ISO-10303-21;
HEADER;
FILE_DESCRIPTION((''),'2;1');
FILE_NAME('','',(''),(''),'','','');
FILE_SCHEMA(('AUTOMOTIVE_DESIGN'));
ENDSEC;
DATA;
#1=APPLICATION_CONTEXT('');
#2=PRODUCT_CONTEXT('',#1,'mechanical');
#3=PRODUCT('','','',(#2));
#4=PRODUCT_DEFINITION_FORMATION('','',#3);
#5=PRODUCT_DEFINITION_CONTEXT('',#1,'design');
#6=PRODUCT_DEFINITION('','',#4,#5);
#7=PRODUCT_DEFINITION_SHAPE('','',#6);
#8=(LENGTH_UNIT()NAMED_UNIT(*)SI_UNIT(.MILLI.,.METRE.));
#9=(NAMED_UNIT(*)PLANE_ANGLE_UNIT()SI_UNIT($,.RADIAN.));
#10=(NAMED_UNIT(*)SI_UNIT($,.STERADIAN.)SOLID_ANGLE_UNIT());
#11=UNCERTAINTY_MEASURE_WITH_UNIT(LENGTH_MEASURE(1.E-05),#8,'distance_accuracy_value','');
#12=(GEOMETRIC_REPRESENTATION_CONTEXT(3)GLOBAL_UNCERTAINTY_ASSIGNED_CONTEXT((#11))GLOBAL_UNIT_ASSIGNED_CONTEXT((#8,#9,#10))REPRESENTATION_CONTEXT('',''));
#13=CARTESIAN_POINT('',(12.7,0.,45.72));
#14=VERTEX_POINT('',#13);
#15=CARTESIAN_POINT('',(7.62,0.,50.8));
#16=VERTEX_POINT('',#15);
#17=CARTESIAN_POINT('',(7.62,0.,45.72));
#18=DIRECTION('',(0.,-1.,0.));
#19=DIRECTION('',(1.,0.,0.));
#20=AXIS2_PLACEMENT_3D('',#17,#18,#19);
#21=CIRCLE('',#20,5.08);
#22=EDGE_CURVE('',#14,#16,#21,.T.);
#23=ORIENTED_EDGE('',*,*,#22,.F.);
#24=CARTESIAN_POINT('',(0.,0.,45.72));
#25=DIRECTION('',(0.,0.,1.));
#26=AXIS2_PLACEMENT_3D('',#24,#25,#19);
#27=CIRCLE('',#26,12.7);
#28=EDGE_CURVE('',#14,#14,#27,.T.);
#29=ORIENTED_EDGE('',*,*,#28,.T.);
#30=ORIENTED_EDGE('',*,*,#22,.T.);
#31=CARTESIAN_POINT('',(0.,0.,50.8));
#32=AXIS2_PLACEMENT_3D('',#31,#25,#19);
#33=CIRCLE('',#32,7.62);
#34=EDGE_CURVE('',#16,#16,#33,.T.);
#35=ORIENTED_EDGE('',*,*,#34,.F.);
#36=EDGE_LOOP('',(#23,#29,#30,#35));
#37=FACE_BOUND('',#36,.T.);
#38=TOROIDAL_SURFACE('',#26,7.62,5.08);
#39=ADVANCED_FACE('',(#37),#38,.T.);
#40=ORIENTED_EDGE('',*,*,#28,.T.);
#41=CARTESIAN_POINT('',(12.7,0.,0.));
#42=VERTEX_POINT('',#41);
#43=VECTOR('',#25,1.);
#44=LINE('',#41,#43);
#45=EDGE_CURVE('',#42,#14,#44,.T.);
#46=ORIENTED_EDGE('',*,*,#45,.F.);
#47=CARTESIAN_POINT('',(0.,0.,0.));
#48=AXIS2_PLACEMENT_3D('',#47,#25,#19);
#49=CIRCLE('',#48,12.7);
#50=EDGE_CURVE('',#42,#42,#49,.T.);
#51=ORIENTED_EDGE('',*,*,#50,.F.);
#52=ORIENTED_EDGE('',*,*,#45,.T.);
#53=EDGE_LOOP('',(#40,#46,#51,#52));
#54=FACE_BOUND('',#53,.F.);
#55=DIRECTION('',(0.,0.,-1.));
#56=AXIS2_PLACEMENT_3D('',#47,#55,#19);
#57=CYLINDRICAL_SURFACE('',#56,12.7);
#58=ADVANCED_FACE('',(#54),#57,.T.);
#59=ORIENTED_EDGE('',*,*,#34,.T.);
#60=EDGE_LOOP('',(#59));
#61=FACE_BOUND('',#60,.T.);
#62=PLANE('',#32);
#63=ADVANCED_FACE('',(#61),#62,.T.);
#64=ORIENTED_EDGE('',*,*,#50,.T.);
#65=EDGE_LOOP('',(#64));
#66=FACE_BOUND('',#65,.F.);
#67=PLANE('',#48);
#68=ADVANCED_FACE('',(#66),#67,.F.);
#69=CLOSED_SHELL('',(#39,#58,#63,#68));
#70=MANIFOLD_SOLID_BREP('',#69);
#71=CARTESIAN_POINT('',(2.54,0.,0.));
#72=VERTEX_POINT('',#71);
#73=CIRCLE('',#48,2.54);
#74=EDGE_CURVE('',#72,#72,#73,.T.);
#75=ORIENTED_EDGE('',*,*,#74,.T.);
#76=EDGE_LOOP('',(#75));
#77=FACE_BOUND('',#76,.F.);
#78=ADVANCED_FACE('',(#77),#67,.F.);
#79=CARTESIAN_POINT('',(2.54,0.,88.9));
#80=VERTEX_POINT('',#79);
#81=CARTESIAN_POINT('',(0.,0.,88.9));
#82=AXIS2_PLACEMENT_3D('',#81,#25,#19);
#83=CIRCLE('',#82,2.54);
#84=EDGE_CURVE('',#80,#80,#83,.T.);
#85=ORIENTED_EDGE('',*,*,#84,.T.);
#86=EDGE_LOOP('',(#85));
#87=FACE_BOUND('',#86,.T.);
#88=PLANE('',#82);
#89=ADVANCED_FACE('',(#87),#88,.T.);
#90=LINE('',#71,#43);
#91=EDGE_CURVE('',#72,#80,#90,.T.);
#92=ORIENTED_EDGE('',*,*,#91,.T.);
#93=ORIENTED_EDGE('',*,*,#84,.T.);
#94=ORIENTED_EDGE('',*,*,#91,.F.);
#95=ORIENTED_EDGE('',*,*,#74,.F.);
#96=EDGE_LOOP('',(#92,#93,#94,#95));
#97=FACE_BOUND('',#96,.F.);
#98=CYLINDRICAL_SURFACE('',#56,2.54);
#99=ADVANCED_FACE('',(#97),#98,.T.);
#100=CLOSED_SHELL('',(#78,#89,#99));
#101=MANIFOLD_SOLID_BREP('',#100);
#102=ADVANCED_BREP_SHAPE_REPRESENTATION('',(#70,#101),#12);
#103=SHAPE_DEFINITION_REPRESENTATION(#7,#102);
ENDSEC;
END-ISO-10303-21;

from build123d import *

# Parameters (mm, degrees)
F0_R     = 12.7
F1_DEPTH = 50.8
F2_R     = 2.54
F3_DEPTH = 88.9
F4_R     = 5.08


with BuildPart() as f1:
    # F0 (on Top) → F1 (new body)
    with BuildSketch(Plane.XY):
        Circle(F0_R)
    extrude(amount=F1_DEPTH)

    # F4
    f4_edges = [f1.edges().sort_by_distance(p)[0] for p in [
        (-12.7, 0, 50.8),
    ]]
    fillet(f4_edges, radius=F4_R)


with BuildPart() as f3:
    # F2 (on Top) → F3 (new body)
    with BuildSketch(Plane.XY):
        Circle(F2_R)
    extrude(amount=F3_DEPTH)


solid = Compound([f1.part, f3.part])
